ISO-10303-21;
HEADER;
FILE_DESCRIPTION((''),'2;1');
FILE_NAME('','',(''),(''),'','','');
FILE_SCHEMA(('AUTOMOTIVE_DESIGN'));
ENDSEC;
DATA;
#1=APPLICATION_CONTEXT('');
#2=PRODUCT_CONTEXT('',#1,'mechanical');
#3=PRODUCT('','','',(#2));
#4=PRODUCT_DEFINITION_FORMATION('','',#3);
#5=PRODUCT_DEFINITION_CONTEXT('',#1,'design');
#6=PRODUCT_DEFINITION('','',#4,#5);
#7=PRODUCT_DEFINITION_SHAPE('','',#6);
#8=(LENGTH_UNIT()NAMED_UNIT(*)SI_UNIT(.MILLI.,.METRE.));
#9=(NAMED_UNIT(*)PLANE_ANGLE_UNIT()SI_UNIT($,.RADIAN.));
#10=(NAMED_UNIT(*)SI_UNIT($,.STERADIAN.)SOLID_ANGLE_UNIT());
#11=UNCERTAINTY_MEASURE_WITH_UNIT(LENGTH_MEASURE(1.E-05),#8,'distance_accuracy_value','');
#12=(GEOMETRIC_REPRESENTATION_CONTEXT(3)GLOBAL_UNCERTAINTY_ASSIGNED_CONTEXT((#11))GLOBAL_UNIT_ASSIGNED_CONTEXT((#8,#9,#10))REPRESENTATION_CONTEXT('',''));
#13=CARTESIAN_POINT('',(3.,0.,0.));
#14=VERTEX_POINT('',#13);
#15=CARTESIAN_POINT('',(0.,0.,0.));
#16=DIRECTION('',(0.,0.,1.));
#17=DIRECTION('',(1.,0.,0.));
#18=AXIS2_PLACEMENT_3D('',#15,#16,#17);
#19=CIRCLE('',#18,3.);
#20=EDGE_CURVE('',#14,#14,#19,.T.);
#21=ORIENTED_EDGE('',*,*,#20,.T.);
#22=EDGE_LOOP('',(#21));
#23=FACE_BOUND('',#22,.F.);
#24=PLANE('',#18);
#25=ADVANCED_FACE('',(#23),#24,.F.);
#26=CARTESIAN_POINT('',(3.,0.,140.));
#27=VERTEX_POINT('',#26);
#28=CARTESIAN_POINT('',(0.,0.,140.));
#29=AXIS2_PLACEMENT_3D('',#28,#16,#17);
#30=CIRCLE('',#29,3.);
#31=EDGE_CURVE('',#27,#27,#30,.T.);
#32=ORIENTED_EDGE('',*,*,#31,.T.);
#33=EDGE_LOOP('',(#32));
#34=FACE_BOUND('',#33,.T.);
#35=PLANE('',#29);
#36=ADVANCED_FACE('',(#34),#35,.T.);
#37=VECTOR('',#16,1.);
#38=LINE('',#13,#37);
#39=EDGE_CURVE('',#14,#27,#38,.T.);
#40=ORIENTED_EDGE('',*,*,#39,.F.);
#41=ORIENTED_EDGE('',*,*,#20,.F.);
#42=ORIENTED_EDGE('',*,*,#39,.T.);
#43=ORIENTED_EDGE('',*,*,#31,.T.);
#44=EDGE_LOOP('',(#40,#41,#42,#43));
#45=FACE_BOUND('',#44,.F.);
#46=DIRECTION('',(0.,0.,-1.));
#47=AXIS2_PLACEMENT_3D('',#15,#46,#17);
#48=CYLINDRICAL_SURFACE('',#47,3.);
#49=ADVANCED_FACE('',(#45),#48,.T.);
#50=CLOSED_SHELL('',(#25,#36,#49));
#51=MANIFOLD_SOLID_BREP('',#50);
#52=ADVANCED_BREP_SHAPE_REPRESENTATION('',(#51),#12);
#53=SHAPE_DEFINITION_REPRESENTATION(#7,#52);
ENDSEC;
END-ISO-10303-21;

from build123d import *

# Parameters (mm, degrees)
SKETCH_1_R      = 3
EXTRUDE_1_DEPTH = 140


with BuildPart() as part:
    # ｽｹｯﾁ1 → ﾎﾞｽ - 押し出し1 (new body)
    with BuildSketch(Plane.XY):
        Circle(SKETCH_1_R)
    extrude(amount=EXTRUDE_1_DEPTH)


solid = part.part
